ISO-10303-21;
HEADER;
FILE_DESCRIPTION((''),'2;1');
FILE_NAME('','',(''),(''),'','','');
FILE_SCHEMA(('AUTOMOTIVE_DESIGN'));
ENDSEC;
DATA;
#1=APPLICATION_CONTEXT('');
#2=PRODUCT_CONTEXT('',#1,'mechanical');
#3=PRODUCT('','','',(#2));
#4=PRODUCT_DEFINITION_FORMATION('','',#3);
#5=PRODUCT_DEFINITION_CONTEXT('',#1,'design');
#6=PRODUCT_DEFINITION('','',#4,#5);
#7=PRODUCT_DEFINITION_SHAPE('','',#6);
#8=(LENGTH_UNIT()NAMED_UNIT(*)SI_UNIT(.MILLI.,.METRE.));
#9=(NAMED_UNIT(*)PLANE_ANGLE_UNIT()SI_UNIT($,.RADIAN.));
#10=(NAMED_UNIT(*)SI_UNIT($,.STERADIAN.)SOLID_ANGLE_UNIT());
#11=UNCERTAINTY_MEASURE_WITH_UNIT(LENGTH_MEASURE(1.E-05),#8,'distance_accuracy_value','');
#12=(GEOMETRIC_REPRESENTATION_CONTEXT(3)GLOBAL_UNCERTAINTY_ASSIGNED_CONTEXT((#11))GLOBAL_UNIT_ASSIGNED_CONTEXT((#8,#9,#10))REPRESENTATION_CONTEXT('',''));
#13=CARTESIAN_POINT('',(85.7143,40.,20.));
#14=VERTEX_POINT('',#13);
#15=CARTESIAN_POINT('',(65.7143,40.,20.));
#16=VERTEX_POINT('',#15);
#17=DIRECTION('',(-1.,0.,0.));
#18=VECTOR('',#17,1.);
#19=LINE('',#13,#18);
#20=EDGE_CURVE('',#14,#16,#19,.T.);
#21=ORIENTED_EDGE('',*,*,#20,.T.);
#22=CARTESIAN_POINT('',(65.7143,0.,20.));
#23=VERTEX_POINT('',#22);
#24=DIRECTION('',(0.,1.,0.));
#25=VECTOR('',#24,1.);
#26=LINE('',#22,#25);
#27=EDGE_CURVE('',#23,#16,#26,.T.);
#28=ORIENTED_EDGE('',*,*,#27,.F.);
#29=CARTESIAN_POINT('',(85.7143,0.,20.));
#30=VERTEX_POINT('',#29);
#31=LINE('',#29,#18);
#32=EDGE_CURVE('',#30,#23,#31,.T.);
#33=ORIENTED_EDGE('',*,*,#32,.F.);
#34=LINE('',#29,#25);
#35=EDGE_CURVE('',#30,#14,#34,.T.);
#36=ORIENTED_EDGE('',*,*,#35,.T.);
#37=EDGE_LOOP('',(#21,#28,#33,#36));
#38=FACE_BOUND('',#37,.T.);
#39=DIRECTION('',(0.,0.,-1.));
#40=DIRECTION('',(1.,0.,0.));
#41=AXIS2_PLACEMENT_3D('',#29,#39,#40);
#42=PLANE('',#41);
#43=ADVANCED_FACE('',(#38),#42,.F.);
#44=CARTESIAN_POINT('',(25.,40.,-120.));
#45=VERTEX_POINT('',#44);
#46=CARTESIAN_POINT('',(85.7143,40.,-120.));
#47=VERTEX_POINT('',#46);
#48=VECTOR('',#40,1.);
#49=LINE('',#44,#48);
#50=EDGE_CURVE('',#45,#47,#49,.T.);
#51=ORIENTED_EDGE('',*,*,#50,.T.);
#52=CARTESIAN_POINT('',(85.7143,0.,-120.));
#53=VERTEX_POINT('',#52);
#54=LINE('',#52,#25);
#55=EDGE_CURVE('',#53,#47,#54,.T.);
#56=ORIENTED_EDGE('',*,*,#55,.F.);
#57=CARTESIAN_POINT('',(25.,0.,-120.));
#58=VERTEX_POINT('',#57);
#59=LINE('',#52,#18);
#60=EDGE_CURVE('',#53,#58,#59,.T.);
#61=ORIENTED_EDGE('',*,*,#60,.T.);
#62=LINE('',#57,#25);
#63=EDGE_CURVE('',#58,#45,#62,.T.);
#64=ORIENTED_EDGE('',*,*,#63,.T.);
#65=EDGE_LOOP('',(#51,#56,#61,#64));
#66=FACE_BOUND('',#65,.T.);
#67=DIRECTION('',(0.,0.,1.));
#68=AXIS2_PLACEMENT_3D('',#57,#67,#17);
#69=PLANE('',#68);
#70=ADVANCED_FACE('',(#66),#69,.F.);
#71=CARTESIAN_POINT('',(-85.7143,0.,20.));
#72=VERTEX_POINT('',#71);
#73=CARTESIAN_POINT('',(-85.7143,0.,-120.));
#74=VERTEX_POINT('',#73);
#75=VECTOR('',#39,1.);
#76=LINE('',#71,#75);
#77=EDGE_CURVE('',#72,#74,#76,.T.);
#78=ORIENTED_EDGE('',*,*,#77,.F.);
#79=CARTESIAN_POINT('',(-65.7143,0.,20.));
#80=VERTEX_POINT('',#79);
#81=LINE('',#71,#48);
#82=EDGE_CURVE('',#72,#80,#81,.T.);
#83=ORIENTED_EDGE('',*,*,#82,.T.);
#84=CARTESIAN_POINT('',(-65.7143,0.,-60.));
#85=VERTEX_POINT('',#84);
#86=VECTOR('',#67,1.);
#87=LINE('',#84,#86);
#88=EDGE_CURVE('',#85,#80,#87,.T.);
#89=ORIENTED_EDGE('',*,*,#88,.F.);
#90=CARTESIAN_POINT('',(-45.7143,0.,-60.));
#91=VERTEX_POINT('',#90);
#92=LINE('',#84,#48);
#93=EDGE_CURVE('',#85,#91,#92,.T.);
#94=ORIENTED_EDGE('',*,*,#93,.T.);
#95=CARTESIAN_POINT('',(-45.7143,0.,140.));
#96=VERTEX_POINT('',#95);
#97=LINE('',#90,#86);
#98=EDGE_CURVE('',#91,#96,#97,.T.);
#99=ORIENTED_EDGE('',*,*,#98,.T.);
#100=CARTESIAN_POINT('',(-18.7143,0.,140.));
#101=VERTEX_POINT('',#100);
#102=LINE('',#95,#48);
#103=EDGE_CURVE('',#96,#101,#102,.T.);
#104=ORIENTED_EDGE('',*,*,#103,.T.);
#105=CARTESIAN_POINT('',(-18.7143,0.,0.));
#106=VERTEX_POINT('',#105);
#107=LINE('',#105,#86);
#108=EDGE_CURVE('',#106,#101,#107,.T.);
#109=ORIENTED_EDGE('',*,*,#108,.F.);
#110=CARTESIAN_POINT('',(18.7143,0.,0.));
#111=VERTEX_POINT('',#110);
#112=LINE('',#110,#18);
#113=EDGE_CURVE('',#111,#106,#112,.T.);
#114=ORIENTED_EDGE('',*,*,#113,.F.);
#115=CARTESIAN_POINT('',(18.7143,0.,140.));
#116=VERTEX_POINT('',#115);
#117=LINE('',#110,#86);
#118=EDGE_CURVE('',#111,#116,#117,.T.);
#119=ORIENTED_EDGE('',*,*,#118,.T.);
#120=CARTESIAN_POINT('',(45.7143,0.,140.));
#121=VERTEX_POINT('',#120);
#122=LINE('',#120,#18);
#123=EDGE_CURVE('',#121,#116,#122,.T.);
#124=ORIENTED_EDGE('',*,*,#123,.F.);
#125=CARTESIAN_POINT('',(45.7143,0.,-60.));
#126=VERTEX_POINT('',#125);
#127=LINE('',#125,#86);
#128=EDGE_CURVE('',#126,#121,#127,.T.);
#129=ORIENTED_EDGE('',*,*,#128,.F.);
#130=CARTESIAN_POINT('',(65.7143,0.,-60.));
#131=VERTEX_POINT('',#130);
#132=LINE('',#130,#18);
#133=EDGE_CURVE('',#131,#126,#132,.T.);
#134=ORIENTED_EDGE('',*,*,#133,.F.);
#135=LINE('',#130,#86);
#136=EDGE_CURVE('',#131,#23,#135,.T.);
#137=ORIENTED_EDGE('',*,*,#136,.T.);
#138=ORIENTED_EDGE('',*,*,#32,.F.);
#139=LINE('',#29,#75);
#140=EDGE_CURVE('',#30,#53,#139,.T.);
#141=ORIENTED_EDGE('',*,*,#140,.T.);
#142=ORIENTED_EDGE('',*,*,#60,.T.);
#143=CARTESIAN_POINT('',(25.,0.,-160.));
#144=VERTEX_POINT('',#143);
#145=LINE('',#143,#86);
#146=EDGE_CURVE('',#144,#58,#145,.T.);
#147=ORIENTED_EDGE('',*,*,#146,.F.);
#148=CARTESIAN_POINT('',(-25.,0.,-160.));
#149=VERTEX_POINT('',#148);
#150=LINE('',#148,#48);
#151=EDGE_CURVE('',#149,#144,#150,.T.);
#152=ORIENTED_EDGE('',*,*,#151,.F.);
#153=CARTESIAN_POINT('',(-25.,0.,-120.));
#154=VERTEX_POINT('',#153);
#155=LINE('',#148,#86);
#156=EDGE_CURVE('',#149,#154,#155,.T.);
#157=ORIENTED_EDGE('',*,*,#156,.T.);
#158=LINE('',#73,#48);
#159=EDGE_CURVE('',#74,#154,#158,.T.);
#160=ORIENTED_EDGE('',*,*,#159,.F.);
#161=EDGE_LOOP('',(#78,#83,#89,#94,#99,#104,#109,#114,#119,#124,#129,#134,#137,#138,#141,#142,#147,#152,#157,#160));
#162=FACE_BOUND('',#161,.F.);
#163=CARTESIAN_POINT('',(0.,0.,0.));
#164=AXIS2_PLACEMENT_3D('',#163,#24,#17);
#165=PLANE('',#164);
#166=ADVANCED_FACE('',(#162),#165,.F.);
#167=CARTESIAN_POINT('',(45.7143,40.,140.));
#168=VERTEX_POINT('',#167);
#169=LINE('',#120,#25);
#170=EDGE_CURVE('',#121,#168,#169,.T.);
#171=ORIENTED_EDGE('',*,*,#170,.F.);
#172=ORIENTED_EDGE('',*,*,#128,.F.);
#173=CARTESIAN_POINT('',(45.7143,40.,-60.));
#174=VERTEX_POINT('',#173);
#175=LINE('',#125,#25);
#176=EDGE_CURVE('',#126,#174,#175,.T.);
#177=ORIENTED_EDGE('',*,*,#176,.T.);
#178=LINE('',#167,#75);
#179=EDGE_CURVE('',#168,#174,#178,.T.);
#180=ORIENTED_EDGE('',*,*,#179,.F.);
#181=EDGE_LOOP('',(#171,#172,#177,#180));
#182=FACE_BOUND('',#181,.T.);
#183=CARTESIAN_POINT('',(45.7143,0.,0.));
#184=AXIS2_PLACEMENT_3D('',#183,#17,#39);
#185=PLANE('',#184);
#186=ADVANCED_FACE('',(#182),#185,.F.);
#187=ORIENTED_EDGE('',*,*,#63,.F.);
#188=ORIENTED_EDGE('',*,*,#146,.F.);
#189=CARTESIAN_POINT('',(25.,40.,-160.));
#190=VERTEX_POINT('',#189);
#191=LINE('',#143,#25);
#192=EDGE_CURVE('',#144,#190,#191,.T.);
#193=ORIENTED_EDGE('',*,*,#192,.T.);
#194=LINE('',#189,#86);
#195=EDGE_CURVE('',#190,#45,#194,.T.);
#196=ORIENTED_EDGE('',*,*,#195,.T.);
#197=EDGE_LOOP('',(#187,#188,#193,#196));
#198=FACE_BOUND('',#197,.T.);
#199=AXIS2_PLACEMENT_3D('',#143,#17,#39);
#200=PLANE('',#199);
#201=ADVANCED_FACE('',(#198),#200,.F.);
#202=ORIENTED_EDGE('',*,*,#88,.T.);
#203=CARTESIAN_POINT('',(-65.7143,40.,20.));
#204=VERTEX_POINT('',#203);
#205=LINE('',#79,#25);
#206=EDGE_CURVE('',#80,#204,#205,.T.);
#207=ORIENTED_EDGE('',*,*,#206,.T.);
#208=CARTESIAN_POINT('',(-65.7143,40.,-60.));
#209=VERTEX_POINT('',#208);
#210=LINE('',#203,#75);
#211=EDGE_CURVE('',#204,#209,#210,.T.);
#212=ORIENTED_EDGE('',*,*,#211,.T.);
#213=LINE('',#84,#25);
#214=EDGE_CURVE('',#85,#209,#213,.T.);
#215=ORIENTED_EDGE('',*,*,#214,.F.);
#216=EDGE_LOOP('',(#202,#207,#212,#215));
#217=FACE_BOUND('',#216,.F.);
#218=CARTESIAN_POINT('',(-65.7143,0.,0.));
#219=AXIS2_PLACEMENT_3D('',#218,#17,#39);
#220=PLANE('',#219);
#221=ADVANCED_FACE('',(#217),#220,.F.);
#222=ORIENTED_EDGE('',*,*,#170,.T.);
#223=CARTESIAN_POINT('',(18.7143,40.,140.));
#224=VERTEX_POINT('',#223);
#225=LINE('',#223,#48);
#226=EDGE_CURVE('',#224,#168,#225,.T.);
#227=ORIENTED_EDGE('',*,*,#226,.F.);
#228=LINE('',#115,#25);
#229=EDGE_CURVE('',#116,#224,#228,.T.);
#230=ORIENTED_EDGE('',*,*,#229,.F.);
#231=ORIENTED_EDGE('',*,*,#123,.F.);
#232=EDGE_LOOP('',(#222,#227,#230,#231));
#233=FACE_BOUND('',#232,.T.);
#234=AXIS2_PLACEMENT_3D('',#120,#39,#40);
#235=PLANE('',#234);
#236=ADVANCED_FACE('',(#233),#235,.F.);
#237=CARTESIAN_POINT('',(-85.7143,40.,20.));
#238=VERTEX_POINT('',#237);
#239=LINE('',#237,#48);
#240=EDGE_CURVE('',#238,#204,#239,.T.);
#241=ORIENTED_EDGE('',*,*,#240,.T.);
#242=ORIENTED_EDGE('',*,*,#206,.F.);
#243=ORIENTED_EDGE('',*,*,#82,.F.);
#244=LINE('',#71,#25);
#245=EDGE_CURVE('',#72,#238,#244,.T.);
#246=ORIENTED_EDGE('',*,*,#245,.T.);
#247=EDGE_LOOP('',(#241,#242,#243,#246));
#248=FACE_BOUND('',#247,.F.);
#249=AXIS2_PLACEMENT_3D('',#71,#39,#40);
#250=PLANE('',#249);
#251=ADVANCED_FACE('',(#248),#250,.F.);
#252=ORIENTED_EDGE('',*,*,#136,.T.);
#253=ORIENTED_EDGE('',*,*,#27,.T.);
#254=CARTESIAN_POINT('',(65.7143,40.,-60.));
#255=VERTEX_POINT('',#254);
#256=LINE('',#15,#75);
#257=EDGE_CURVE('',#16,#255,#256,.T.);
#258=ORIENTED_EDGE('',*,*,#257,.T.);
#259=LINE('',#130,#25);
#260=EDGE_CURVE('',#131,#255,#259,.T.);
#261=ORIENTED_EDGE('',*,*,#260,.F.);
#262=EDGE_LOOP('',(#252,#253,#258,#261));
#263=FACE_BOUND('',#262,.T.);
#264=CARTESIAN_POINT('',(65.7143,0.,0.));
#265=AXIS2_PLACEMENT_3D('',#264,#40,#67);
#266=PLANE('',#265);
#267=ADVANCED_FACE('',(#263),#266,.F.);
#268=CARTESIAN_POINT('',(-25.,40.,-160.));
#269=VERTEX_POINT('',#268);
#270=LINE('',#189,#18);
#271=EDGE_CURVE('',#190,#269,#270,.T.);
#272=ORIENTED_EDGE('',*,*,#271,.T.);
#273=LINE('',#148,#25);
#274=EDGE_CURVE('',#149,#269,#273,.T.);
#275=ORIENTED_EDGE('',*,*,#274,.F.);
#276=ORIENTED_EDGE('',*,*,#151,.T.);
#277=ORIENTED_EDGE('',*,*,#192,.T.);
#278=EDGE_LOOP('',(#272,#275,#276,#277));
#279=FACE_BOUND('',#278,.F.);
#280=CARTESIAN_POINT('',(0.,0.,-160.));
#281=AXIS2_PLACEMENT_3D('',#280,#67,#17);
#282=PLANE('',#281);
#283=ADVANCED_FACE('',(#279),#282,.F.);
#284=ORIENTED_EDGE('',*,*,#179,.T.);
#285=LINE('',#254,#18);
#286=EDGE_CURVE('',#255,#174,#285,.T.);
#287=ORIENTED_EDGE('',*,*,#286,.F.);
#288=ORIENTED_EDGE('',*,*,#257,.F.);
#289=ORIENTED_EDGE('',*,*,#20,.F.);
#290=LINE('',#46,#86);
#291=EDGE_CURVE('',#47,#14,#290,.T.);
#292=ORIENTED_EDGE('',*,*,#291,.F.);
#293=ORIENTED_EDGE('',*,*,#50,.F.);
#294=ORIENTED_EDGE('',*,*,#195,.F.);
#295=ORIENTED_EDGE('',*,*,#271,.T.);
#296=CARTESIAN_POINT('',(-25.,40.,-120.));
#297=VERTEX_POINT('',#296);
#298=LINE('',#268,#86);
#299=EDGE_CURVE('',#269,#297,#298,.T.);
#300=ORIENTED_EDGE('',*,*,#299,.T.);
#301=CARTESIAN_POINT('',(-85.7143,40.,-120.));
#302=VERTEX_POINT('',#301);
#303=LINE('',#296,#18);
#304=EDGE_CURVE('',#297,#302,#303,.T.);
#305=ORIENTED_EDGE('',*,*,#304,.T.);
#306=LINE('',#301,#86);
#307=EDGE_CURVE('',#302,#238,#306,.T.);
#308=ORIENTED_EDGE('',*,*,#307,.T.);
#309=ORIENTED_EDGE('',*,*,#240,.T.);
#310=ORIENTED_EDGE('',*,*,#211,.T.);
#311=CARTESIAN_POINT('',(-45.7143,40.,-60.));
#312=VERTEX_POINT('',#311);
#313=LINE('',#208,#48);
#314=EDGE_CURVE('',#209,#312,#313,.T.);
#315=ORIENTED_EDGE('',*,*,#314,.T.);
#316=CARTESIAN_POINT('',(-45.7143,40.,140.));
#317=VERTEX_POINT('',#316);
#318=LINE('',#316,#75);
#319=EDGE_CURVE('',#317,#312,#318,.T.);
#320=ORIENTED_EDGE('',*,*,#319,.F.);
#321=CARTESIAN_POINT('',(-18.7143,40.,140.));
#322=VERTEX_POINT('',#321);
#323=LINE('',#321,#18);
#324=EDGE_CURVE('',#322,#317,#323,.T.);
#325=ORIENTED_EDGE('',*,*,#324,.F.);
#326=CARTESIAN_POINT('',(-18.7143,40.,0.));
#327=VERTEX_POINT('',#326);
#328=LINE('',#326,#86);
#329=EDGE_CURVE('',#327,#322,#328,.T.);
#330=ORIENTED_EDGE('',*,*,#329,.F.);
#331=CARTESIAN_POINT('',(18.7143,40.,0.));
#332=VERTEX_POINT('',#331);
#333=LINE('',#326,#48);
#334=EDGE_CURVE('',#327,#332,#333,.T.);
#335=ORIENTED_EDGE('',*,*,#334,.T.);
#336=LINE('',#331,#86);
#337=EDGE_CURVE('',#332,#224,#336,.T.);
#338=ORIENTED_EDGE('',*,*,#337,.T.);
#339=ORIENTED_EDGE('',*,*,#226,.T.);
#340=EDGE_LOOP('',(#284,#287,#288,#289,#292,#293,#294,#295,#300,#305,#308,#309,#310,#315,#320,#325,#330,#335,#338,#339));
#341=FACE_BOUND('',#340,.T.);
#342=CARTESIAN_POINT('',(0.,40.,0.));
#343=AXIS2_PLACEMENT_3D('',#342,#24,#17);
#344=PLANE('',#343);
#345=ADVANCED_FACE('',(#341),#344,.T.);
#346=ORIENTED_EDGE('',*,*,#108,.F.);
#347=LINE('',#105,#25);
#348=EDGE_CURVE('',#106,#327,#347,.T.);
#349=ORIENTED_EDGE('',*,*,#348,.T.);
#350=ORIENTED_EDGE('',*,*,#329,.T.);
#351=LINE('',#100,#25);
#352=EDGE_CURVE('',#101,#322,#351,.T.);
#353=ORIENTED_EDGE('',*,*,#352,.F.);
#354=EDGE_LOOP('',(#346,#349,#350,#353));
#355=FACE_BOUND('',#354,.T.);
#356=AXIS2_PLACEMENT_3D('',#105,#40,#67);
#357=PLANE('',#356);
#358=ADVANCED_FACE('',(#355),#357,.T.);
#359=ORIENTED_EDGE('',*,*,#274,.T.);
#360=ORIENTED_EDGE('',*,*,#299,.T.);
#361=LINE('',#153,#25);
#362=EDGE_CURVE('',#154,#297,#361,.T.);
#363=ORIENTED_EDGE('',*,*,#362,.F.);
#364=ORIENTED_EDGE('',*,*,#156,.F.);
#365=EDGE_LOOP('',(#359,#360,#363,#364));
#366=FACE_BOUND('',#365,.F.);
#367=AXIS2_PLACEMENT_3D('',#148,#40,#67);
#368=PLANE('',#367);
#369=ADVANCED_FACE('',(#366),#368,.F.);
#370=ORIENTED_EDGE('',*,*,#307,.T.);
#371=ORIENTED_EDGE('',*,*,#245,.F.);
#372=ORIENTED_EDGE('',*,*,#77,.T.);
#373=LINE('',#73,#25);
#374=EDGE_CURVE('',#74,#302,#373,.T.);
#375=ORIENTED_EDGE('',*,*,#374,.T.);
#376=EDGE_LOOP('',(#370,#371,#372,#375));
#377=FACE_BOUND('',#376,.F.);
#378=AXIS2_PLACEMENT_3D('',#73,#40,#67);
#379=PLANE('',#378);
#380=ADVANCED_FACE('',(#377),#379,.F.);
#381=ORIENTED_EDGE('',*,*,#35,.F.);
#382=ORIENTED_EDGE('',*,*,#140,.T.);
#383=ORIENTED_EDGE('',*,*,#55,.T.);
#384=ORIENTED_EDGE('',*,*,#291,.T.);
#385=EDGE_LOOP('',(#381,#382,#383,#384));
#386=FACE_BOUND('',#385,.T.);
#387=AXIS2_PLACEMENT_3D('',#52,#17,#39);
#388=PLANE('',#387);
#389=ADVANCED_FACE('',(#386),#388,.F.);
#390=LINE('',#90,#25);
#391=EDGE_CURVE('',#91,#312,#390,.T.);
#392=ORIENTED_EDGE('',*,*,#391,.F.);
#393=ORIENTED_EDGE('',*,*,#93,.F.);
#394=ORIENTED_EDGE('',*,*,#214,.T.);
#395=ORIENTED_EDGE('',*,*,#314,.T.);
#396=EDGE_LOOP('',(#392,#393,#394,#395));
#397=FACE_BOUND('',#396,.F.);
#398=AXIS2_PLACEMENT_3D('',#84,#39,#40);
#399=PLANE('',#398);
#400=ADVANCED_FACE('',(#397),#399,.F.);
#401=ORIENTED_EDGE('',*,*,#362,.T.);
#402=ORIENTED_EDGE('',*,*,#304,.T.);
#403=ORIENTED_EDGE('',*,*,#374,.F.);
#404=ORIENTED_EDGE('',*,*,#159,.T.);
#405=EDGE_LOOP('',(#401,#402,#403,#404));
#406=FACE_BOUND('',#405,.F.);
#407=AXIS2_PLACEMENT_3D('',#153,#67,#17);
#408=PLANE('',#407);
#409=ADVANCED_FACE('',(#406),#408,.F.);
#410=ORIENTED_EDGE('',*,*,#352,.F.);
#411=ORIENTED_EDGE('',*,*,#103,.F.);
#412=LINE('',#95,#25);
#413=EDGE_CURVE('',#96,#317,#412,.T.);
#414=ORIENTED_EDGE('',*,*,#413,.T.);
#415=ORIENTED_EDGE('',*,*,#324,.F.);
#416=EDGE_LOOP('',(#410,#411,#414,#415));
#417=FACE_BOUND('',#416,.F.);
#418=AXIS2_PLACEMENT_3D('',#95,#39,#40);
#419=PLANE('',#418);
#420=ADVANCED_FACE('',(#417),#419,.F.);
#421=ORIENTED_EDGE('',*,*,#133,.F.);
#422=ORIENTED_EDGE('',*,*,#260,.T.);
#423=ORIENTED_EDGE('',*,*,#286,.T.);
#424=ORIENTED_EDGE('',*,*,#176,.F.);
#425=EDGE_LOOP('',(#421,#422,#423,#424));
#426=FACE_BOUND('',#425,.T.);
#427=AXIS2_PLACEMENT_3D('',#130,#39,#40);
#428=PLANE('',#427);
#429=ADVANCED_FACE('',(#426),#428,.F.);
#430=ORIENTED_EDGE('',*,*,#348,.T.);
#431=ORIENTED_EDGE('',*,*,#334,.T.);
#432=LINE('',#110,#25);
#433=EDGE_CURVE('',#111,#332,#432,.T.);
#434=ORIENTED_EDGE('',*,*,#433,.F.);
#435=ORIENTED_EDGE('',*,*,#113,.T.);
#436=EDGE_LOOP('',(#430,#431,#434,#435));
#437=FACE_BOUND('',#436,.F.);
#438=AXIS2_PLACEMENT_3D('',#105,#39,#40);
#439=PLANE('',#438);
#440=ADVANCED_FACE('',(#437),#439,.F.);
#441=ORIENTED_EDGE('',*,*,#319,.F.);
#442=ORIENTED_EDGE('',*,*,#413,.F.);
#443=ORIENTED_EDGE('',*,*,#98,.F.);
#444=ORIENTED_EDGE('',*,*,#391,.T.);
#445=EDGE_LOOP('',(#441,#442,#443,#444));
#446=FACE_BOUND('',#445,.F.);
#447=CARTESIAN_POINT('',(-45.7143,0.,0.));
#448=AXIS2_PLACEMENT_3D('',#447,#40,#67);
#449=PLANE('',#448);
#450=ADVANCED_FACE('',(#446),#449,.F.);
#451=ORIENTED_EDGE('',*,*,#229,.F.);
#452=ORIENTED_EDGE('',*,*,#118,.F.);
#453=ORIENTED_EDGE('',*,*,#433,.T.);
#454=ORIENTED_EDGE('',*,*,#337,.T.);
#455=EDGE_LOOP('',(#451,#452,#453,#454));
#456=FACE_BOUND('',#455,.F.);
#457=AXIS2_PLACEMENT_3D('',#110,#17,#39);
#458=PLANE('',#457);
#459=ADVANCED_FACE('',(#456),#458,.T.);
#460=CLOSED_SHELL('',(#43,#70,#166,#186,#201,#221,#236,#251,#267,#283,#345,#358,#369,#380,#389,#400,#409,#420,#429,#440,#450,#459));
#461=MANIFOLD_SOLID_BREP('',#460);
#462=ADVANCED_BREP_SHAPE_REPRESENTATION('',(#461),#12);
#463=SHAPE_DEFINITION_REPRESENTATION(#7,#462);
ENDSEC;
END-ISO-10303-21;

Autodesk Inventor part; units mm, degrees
ref_plane "YZ Plane" through (0, 0, 0) normal (1, 0, 0) x (0, 1, 0)
ref_plane "XZ Plane" through (0, 0, 0) normal (0, 1, 0) x (-1, 0, 0)
ref_plane "XY Plane" through (0, 0, 0) normal (0, 0, 1) x (1, 0, 0)
sketch "スケッチ1" plane through (0, 0, 0) normal (0, 1, 0) x (-1, 0, 0)
  line L0 (45.7143, 140) -> (25.7143, 140)
  line L1 (25.7143, 140) -> (25.7143, 0)
  line L2 (25.7143, 0) -> (45.7143, 0)
  line L3 (45.7143, 0) -> (45.7143, 140)
  line L4 (45.7143, 0) -> (0, 0)
  line L5 (0, 0) -> (0, -120)
  line L6 (0, -120) -> (45.7143, -120)
  line L7 (45.7143, -120) -> (45.7143, 0)
  line L8 (25, -120) -> (0, -120)
  line L9 (0, -120) -> (0, -160)
  line L10 (0, -160) -> (25, -160)
  line L11 (25, -160) -> (25, -120)
  line L12 (45.7143, -120) -> (65.7143, -120)
  line L13 (65.7143, -120) -> (65.7143, -60)
  line L14 (65.7143, -60) -> (45.7143, -60)
  line L15 (45.7143, -60) -> (45.7143, -120)
  line L16 (65.7143, -120) -> (85.7143, -120)
  line L17 (85.7143, -120) -> (85.7143, 20)
  line L18 (85.7143, 20) -> (65.7143, 20)
  line L19 (65.7143, 20) -> (65.7143, -120)
  line L20 (0, -220) -> (0, 200) projected
  line L21 (102.8571, 0) -> (-17.1429, 0) projected
  line L22 (25.7143, 0) -> (25.7143, 140)
  line L23 (25.7143, 0) -> (18.7143, 0)
  line L24 (18.7143, 0) -> (18.7143, 140)
  line L25 (18.7143, 140) -> (25.7143, 140)
  line L26 (25.7143, 140) -> (25.7143, 0)
  point P0 (0, 0)
  point P1 (65.7143, 0)
  point P2 (25.7143, 0)
  point P3 (18.7143, 0)
  dimension "d0" = 40
  dimension "d2" = 300
  dimension "d3" = 140
  dimension "d4" = 85.7143
  dimension "d5" = 20
  dimension "d6" = 20
  dimension "d7" = 25
  dimension "d10" = 60
  dimension "d11" = 7
extrude "押し出し1" add sketch "スケッチ1" along normal blind 40 contours L3 L2 L1 L0 | L1 L4 L24 L25 | L7 L6 L5 L4 L2 | L14 L13 L12 L7 | L21 L17 L16 L13 L19 | L19 L18 L17 L21 | L11 L10 L9 L6
mirror "ミラー1" about plane through (0, 0, 0) normal (1, 0, 0)
properties part number "human_model"
